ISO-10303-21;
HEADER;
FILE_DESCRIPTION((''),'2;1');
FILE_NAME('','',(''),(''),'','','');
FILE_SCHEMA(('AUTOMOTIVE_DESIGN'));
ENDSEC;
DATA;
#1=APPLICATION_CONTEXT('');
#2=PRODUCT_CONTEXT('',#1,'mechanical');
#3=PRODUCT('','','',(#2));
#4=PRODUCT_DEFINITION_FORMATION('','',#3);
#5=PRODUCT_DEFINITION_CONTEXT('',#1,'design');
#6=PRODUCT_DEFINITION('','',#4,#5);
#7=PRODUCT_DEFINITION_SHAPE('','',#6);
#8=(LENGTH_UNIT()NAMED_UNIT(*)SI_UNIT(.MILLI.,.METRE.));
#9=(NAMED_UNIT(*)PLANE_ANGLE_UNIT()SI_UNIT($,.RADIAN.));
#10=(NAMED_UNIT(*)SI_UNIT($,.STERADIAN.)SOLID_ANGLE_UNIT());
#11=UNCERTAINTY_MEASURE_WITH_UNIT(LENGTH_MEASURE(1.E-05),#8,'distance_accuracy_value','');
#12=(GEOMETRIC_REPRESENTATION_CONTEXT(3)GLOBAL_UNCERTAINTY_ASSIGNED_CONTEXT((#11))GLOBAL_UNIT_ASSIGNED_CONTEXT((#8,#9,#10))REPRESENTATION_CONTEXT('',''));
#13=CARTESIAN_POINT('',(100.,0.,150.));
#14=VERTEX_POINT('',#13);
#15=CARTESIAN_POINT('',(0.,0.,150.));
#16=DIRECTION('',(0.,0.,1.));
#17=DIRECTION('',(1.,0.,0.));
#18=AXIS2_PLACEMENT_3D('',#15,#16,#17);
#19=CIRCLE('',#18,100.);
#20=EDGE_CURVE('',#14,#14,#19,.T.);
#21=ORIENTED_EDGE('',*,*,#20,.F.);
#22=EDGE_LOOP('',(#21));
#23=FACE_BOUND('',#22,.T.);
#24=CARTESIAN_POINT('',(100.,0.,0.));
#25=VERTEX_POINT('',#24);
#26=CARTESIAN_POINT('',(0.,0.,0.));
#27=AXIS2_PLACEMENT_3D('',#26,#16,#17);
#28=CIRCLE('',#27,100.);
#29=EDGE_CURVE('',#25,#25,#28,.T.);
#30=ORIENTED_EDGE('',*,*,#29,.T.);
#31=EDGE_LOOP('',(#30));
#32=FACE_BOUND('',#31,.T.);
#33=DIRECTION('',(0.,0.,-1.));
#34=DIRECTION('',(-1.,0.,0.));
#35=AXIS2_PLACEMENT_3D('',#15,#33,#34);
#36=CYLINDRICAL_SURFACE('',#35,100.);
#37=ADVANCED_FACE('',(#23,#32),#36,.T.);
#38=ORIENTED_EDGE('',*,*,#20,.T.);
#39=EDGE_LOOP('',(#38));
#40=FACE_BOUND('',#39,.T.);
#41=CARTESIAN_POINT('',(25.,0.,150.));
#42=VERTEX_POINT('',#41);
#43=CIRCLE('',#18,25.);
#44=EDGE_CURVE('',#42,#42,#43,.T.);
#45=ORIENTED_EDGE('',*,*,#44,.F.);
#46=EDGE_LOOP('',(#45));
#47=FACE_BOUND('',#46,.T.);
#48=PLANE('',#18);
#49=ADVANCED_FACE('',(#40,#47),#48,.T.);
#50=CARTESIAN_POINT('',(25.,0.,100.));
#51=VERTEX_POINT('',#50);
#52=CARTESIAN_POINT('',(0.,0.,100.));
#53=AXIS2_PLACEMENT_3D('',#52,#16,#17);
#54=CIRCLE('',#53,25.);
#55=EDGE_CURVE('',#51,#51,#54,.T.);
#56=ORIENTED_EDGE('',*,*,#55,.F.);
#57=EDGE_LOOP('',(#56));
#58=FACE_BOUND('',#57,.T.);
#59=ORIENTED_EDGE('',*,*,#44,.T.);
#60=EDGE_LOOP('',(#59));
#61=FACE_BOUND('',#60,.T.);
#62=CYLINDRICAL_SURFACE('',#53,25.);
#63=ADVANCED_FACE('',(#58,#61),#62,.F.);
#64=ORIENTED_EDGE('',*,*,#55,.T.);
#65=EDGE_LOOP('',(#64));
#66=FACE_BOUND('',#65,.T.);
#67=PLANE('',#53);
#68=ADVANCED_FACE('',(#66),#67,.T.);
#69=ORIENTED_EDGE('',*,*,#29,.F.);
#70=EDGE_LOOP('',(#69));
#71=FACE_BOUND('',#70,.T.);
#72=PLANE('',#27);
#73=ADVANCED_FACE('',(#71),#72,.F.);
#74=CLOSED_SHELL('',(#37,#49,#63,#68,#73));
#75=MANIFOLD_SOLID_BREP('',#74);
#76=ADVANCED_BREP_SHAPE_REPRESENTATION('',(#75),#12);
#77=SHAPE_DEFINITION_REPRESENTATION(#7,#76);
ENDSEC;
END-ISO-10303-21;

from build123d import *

# Parameters (mm, degrees)
SKETCH1_R           = 100
BOSS_EXTRUDE1_DEPTH = 150
SKETCH2_R           = 25
CUT_EXTRUDE1_DEPTH  = 50


with BuildPart() as part:
    # Sketch1 → Boss-Extrude1 (new body)
    with BuildSketch(Plane.XY):
        Circle(SKETCH1_R)
    extrude(amount=BOSS_EXTRUDE1_DEPTH)

    # Sketch2 → Cut-Extrude1 (cut)
    with BuildSketch(Plane.XY.offset(150)):
        Circle(SKETCH2_R)
    extrude(amount=-CUT_EXTRUDE1_DEPTH, mode=Mode.SUBTRACT)


solid = part.part
